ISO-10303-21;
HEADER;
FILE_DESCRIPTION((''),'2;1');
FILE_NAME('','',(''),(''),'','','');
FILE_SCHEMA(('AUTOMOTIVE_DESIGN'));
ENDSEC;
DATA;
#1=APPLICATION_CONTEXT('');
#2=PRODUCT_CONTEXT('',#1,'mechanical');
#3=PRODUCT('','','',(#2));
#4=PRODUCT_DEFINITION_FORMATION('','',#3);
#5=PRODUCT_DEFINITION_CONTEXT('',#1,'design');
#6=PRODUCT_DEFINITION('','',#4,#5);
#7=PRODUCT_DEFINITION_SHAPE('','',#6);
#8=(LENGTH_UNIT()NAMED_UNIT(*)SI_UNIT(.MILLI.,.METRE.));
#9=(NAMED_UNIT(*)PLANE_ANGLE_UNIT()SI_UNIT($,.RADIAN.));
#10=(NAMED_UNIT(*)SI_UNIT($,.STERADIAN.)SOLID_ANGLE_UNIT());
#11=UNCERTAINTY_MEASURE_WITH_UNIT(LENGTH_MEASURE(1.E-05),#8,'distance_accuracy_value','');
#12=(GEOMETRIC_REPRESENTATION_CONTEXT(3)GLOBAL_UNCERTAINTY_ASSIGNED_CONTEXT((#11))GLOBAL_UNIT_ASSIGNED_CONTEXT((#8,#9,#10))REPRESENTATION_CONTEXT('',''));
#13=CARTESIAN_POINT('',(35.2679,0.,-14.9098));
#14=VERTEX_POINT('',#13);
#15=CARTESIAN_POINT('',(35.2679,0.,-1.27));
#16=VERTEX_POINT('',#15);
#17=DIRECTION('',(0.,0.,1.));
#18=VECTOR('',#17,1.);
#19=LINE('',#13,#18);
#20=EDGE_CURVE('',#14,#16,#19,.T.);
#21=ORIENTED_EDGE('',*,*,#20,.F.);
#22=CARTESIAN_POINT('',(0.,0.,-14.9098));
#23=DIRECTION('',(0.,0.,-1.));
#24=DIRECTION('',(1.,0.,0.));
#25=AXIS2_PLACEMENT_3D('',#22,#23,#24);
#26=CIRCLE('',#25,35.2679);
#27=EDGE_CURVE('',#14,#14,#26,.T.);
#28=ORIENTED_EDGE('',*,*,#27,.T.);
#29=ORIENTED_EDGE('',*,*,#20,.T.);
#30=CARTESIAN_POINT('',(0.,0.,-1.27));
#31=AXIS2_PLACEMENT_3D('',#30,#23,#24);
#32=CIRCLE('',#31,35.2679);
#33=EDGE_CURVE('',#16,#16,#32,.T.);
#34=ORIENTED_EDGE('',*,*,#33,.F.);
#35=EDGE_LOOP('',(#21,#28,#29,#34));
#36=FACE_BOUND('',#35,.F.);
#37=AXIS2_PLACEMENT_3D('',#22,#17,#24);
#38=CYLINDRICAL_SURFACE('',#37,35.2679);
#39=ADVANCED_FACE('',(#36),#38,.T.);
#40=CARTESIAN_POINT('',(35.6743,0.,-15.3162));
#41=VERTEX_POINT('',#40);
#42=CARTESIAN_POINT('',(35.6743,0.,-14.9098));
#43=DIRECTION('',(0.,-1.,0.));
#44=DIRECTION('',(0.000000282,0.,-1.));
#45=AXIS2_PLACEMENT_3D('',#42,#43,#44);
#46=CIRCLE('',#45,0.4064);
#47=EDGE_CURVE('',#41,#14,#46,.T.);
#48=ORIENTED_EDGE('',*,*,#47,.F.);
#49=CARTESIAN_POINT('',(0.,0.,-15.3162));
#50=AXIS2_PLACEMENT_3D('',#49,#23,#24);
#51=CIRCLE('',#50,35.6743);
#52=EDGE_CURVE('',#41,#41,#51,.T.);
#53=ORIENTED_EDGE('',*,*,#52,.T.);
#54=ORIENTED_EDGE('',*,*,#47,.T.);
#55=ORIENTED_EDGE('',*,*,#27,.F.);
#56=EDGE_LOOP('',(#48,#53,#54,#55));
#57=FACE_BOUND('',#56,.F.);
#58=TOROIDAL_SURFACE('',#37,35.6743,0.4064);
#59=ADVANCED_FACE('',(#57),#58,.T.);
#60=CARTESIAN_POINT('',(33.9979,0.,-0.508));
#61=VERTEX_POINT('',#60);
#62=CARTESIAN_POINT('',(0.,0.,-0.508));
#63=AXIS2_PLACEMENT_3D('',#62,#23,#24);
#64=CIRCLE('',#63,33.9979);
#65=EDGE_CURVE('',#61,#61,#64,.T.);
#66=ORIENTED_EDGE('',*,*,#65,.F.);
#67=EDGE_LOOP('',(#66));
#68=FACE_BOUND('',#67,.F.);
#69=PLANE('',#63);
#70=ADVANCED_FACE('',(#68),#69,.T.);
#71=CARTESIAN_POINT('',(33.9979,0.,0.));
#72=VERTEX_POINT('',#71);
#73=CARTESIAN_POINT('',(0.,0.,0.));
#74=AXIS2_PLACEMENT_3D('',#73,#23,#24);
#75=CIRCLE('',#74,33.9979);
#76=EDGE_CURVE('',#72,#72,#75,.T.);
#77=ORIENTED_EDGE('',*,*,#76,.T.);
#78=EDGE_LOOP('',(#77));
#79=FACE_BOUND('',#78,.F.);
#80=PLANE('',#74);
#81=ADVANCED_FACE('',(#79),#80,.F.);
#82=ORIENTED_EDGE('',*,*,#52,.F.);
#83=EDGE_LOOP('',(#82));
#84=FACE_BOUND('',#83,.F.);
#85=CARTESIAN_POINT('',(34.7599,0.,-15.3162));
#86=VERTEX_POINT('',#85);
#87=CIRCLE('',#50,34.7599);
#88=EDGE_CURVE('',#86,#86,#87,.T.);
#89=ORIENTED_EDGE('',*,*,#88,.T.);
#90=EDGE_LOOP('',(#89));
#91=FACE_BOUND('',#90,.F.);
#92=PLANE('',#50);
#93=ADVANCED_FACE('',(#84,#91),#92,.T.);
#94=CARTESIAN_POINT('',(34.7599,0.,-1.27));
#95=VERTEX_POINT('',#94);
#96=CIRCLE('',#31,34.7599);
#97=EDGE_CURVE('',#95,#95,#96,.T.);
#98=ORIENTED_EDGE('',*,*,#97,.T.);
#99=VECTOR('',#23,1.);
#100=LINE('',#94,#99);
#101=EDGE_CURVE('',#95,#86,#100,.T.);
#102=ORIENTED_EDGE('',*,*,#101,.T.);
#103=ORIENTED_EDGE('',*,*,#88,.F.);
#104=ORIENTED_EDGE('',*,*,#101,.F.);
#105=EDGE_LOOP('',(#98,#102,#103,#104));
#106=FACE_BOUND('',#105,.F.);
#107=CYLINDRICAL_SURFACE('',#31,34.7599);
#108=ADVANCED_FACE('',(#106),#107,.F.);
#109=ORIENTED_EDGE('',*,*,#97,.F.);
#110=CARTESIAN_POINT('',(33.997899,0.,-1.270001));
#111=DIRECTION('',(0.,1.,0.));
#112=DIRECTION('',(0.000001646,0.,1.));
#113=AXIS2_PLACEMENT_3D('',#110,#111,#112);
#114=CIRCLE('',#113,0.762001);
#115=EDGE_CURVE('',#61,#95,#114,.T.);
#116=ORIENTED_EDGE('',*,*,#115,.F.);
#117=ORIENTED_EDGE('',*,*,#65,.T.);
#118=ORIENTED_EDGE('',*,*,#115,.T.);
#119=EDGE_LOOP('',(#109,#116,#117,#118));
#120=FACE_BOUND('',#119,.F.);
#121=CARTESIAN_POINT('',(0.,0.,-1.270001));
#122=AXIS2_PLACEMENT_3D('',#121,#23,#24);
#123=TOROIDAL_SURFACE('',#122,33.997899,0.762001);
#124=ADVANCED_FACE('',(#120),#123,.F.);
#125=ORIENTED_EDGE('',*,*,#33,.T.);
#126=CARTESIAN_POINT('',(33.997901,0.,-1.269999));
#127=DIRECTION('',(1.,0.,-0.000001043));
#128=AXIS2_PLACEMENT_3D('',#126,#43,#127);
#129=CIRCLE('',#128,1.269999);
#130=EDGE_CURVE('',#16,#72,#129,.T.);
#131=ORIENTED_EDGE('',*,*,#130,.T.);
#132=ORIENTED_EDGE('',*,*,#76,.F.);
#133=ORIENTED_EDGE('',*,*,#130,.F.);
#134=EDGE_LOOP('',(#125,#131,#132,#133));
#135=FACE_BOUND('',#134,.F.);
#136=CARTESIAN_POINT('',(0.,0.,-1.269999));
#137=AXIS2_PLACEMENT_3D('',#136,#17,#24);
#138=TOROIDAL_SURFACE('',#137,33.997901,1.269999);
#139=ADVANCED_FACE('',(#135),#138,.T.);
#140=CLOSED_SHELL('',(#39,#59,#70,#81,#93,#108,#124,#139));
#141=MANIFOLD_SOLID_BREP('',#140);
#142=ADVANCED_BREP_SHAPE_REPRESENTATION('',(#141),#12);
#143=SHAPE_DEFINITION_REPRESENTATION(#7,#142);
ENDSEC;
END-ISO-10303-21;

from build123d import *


with BuildPart() as f1:
    # F0 (on Front) → F1 (revolve)
    with BuildSketch(Plane.XZ):
        with BuildLine():
            Line((33.9979, 0), (0, 0))
            Line((0, 0), (0, -0.508))
            Line((0, -0.508), (33.9979, -0.508))
            ThreePointArc((33.9979, -0.508), (34.536715, -0.731185), (34.7599, -1.27))
            Line((34.7599, -1.27), (34.7599, -15.3162))
            Line((34.7599, -15.3162), (35.6743, -15.3162))
            ThreePointArc((35.6743, -15.3162), (35.961668, -14.622432), (35.2679, -14.9098))
            Line((35.2679, -14.9098), (35.2679, -1.27))
            ThreePointArc((35.2679, -1.27), (34.895926, -0.371974), (33.9979, 0))
        make_face()
    revolve(axis=Axis((0, 0, -0.254), (0, 0, -1)))


solid = f1.part
